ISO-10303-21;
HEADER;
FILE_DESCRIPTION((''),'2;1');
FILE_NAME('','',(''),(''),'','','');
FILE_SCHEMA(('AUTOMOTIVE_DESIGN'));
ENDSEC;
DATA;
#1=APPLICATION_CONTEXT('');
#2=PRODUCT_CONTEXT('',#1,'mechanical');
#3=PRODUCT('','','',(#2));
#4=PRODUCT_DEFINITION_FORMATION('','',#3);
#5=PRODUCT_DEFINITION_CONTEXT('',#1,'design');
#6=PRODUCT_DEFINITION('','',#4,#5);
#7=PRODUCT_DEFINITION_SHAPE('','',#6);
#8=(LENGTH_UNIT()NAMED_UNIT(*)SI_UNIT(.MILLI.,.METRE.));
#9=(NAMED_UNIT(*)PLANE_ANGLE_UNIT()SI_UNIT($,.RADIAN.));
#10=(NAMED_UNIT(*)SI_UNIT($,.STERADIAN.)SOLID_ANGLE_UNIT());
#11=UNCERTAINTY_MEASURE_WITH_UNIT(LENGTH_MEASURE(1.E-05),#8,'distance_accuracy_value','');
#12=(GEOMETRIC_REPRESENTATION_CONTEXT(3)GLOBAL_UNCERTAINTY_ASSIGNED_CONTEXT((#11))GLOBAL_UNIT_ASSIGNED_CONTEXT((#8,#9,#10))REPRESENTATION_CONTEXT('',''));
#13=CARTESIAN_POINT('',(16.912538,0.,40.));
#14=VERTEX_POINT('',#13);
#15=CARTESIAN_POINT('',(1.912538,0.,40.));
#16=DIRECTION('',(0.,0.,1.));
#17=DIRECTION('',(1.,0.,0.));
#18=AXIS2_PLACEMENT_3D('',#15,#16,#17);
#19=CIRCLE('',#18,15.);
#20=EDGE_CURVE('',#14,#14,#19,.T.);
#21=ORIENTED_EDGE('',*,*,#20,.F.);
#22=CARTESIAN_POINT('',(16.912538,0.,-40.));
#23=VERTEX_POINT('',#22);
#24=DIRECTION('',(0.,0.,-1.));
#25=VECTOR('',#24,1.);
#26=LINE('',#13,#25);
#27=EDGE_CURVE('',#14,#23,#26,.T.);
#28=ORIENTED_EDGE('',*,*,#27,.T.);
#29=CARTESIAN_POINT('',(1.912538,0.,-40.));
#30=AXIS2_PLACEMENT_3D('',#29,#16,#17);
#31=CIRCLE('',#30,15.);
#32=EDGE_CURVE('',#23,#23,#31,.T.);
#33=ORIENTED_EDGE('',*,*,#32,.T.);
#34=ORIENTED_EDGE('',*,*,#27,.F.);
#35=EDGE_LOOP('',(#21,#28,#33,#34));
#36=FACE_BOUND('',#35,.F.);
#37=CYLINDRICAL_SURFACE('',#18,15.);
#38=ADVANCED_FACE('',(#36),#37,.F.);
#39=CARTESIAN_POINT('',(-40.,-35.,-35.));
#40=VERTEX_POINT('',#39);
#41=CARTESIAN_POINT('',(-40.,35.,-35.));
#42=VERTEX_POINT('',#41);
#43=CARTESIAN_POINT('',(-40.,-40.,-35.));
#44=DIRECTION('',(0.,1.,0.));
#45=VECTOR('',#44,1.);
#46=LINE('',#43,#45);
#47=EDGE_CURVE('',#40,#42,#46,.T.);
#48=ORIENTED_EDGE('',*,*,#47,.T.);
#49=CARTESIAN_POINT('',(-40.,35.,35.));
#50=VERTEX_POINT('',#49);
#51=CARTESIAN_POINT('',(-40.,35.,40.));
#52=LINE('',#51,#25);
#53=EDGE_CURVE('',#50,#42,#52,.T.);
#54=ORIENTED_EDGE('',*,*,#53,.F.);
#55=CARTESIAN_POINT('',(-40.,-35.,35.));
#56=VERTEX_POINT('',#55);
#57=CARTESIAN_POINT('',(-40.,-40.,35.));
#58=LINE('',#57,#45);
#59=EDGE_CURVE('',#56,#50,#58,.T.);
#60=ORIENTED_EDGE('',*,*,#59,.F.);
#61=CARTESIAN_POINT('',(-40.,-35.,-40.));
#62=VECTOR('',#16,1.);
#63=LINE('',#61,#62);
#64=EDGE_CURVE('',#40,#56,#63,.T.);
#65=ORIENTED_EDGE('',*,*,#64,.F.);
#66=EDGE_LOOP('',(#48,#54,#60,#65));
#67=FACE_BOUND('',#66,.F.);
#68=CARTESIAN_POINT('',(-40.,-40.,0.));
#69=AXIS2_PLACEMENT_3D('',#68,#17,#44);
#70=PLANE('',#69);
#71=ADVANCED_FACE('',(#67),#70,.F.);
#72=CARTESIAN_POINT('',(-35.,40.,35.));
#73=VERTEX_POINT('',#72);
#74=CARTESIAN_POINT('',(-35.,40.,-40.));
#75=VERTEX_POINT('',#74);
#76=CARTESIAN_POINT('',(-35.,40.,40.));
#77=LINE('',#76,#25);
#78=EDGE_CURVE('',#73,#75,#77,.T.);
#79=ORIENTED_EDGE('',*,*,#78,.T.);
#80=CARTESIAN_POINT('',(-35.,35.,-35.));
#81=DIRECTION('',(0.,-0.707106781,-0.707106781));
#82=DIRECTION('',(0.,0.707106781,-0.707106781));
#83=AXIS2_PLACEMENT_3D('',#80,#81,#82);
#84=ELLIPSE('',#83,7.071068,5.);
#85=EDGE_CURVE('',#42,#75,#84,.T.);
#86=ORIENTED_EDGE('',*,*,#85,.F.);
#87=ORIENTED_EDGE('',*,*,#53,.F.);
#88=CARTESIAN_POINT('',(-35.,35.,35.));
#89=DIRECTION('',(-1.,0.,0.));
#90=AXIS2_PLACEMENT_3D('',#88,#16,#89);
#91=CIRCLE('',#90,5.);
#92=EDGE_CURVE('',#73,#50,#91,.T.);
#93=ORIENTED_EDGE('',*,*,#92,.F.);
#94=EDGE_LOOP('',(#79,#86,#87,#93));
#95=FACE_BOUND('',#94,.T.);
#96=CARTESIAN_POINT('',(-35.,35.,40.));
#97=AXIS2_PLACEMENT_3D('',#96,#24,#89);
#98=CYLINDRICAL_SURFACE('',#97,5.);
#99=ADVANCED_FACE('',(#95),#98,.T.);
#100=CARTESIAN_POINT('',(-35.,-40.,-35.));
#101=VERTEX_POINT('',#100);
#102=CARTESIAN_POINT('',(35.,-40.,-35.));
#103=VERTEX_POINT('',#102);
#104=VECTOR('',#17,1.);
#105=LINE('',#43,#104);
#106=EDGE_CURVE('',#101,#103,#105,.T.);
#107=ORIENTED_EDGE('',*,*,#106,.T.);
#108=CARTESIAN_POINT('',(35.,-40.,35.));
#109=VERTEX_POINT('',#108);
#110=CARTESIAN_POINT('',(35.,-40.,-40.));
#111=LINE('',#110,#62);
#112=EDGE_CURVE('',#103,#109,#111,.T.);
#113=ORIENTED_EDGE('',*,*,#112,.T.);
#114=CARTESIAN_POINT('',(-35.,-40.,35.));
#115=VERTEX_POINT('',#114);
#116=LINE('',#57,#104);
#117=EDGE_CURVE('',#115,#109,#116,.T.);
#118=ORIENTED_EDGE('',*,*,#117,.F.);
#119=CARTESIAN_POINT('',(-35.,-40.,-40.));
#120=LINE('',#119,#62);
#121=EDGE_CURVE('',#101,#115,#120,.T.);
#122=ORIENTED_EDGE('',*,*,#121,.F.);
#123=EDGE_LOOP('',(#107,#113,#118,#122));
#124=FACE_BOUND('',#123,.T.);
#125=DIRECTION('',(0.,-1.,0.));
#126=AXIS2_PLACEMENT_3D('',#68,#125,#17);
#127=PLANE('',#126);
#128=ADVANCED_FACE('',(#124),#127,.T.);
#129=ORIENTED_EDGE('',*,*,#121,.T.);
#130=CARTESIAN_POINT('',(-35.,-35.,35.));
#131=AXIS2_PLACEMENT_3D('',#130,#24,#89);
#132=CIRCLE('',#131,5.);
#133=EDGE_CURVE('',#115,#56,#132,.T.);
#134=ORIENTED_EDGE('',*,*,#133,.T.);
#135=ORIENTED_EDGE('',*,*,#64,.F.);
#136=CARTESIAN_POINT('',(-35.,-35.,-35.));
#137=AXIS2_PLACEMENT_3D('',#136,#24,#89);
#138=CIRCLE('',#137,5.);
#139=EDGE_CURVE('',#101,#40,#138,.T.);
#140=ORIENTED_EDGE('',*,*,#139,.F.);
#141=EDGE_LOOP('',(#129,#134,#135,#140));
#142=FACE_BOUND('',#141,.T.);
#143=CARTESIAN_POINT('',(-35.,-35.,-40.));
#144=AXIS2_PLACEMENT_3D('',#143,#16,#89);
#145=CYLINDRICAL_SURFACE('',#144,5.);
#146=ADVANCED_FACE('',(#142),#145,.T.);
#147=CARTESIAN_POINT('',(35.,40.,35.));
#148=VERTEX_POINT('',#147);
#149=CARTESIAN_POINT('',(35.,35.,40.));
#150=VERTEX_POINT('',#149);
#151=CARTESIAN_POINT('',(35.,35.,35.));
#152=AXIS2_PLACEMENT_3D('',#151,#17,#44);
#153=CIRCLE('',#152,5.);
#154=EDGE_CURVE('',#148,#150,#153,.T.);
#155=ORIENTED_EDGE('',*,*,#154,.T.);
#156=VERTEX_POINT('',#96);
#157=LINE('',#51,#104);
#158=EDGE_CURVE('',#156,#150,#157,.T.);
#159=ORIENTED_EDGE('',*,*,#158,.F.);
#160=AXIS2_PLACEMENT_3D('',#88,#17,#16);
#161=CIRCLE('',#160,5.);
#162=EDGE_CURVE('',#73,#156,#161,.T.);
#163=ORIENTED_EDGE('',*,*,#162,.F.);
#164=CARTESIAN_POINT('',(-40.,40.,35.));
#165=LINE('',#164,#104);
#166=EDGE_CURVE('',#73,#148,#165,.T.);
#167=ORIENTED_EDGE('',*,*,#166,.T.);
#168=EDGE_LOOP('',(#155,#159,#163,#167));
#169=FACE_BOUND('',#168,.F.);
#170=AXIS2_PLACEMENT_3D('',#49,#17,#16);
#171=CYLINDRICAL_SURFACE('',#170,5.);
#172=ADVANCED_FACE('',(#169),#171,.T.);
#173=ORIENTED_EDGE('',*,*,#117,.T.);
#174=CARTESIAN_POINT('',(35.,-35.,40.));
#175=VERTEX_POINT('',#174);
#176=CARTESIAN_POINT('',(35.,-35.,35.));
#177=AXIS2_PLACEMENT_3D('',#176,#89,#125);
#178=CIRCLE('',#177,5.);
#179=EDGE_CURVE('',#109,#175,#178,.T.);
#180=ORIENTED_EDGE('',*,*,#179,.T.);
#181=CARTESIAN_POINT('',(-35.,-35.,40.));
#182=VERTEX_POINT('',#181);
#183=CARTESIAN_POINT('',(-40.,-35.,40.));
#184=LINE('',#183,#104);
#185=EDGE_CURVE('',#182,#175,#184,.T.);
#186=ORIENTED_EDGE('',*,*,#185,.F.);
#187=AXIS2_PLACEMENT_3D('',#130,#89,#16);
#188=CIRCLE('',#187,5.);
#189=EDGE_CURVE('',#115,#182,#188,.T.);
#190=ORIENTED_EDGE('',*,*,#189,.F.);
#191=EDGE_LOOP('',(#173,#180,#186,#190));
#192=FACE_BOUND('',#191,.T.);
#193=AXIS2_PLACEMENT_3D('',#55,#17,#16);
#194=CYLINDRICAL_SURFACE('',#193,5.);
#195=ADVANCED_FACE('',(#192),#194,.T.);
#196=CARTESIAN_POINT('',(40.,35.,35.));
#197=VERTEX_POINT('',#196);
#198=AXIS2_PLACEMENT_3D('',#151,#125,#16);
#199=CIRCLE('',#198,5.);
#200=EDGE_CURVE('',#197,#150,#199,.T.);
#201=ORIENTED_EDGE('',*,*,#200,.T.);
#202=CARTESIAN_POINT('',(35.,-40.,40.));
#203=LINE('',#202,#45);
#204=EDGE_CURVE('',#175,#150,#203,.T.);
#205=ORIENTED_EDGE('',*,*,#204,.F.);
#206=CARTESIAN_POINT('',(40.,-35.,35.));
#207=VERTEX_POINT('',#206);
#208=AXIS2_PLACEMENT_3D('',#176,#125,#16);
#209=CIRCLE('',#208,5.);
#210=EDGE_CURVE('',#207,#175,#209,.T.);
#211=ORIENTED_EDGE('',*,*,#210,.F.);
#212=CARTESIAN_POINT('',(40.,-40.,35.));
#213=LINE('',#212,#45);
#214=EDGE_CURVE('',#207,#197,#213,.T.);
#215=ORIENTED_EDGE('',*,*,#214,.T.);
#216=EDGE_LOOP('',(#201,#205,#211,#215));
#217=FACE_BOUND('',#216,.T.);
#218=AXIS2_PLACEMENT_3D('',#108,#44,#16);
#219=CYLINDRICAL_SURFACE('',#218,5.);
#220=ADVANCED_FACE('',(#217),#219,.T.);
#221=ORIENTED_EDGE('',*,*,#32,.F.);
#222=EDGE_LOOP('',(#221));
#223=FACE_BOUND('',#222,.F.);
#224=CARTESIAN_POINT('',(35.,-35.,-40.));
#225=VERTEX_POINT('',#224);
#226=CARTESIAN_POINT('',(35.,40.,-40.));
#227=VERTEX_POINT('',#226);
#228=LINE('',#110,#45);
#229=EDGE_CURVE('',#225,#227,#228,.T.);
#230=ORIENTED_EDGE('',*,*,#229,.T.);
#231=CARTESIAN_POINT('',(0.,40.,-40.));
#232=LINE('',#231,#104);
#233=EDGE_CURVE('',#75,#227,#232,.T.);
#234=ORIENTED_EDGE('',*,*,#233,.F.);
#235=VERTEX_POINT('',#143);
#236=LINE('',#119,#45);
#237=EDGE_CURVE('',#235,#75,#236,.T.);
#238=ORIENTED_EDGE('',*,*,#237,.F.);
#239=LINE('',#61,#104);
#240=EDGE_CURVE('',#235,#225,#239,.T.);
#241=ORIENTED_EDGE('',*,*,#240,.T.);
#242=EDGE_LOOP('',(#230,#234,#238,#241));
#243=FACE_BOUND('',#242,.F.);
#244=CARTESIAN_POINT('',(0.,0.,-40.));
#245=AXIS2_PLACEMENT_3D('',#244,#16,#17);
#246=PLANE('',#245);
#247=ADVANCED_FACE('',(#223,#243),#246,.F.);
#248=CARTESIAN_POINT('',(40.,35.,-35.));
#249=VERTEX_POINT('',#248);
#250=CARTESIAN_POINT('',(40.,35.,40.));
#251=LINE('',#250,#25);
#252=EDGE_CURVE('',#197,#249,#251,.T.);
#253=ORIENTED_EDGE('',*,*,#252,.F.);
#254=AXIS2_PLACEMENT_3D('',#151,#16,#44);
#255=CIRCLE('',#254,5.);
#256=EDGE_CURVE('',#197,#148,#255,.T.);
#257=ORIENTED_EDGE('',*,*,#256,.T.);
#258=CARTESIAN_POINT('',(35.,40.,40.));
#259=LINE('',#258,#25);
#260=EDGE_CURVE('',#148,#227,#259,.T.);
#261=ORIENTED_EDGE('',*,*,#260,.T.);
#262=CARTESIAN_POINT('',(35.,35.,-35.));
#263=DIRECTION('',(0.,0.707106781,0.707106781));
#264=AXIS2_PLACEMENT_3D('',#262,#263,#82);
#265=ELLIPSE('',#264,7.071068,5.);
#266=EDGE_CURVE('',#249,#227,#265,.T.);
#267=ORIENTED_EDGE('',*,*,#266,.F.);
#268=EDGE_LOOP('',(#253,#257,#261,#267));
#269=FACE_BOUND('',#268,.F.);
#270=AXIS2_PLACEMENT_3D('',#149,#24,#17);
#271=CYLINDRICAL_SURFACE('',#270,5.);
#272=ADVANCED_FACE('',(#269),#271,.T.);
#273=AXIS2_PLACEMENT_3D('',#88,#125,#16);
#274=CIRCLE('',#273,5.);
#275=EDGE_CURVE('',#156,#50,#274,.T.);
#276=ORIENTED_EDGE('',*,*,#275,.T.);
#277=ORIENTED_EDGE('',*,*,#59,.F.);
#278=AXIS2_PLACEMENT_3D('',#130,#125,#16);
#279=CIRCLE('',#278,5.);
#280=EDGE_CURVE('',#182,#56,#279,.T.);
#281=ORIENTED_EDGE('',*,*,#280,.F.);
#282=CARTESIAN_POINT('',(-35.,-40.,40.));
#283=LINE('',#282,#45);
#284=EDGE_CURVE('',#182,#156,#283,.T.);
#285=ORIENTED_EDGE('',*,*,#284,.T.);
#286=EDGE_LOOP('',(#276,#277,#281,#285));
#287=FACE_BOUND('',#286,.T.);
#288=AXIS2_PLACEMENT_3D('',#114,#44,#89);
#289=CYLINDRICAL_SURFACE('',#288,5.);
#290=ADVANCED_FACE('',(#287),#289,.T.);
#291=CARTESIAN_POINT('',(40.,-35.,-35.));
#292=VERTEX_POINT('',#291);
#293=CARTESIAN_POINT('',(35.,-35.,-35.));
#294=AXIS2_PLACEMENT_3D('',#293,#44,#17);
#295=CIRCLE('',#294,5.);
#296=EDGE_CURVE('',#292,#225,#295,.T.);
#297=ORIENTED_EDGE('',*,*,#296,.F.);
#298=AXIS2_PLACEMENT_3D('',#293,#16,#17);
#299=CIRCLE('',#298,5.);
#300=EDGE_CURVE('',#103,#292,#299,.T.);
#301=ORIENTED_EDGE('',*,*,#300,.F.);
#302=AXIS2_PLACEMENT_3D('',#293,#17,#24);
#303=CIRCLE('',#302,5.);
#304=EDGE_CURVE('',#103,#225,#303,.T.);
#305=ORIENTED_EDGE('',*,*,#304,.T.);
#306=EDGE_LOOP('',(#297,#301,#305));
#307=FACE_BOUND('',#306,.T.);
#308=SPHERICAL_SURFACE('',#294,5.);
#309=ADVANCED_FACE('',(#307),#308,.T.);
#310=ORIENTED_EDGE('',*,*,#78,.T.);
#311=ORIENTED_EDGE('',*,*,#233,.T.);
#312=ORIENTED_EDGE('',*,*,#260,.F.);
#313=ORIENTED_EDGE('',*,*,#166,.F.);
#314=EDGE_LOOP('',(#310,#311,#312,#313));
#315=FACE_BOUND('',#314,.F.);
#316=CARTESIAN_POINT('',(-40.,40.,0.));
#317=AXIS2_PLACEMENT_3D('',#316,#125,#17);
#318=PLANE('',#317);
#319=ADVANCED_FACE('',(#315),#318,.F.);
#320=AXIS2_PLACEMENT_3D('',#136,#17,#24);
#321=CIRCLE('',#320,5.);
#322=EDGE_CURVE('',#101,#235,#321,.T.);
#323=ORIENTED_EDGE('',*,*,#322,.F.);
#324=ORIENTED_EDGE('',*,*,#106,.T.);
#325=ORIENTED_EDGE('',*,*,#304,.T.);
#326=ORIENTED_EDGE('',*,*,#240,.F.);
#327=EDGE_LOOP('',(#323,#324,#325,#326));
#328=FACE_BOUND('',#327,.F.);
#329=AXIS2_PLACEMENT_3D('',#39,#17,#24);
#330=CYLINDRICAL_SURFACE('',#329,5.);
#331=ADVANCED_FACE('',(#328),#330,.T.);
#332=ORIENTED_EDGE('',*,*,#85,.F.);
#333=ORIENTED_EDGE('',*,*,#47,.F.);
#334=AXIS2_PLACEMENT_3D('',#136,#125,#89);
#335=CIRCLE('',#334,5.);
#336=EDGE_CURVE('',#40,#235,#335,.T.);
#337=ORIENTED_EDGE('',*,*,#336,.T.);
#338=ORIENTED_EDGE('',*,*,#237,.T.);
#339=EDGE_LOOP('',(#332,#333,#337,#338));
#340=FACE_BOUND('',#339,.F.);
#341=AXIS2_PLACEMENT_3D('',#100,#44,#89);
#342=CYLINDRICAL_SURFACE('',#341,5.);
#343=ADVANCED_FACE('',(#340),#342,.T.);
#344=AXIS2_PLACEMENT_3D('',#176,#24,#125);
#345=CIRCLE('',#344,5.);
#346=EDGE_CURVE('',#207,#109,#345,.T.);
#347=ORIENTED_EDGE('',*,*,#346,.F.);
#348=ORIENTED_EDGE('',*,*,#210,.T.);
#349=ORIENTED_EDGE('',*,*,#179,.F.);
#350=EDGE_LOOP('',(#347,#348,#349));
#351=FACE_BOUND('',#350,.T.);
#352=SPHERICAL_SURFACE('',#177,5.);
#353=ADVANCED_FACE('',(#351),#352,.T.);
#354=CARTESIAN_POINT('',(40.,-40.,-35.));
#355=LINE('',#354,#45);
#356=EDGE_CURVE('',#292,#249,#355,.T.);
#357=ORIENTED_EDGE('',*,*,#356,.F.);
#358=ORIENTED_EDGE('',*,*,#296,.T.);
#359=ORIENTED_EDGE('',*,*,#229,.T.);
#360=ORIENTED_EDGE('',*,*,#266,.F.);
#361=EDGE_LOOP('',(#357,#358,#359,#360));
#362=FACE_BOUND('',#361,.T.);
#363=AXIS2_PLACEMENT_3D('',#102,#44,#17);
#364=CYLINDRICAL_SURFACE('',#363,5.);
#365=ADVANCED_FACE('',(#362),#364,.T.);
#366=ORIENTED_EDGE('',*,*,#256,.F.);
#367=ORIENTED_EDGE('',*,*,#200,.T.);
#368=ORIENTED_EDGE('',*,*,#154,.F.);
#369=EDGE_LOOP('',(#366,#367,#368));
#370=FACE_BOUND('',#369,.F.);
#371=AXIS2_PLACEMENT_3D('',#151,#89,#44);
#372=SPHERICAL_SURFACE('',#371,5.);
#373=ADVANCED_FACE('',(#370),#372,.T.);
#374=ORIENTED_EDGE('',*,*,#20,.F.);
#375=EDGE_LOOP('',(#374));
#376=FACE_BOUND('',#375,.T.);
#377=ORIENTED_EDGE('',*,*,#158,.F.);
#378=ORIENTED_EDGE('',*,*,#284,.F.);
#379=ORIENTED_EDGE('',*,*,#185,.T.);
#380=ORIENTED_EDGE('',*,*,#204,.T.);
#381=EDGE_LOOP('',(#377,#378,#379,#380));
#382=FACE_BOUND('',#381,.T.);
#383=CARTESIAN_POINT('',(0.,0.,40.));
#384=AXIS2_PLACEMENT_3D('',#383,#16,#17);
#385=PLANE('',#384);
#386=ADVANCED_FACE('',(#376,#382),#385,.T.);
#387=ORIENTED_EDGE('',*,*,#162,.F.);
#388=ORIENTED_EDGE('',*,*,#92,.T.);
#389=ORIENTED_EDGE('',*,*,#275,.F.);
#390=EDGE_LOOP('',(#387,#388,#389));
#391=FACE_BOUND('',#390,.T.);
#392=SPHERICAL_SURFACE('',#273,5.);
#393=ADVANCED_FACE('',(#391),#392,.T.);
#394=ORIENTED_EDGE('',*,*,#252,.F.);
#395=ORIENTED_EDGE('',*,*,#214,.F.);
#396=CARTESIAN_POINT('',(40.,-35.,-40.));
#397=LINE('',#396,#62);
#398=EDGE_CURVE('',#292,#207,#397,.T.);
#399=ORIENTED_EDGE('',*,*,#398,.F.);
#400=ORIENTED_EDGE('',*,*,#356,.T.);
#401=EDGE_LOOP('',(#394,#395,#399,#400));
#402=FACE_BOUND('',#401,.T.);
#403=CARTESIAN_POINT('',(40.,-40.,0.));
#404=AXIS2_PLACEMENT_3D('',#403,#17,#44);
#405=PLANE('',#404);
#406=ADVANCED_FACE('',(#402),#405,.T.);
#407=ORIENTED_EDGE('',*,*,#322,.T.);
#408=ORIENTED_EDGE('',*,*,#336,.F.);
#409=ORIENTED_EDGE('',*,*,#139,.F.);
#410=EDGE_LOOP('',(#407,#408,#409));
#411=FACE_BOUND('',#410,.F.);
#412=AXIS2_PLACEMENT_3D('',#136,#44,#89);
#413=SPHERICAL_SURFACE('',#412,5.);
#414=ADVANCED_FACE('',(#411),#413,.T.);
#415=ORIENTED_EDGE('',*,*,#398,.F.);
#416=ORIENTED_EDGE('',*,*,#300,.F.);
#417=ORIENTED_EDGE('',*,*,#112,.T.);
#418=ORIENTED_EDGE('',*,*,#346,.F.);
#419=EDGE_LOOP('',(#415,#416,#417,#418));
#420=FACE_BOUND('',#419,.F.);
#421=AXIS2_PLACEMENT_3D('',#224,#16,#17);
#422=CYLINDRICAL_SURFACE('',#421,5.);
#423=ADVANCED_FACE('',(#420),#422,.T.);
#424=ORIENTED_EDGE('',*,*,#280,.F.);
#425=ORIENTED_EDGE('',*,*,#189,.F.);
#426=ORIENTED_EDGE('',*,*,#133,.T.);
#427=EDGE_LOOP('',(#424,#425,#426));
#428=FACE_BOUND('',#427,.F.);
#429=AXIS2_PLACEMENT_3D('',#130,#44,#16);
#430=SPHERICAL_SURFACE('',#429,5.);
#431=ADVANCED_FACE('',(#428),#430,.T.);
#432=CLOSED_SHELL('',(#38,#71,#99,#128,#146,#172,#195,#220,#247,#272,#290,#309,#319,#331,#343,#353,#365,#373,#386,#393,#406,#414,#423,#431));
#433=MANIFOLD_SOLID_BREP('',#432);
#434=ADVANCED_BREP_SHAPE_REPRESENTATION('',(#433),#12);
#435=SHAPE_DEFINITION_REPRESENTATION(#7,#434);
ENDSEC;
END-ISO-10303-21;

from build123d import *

# Parameters (mm, degrees)
F0_W     = 80
F0_H     = 80
F1_DEPTH = 40
F2_R     = 5
F3_R     = 15
F4_DEPTH = 80.001


with BuildPart() as f1:
    # F0 (on Top) → F1 (new body, symmetric)
    with BuildSketch(Plane.XY):
        Rectangle(F0_W, F0_H)
    extrude(amount=F1_DEPTH, both=True)

    # F2
    f2_edges = [f1.edges().sort_by_distance(p)[0] for p in [
        (-40, 0, 40),
        (-40, 0, -40),
        (0, 40, 40),
        (0, -40, 40),
        (-40, -40, 0),
        (-40, 40, 0),
        (40, 0, -40),
        (40, 40, 0),
        (40, -40, 0),
        (0, -40, -40),
        (40, 0, 40),
    ]]
    fillet(f2_edges, radius=F2_R)

    # F3 (on face) → F4 (cut, through all)
    with BuildSketch(Plane.XY.offset(40)):
        with Locations((1.912538, 0)):
            Circle(F3_R)
    extrude(amount=-F4_DEPTH, mode=Mode.SUBTRACT)


solid = f1.part
